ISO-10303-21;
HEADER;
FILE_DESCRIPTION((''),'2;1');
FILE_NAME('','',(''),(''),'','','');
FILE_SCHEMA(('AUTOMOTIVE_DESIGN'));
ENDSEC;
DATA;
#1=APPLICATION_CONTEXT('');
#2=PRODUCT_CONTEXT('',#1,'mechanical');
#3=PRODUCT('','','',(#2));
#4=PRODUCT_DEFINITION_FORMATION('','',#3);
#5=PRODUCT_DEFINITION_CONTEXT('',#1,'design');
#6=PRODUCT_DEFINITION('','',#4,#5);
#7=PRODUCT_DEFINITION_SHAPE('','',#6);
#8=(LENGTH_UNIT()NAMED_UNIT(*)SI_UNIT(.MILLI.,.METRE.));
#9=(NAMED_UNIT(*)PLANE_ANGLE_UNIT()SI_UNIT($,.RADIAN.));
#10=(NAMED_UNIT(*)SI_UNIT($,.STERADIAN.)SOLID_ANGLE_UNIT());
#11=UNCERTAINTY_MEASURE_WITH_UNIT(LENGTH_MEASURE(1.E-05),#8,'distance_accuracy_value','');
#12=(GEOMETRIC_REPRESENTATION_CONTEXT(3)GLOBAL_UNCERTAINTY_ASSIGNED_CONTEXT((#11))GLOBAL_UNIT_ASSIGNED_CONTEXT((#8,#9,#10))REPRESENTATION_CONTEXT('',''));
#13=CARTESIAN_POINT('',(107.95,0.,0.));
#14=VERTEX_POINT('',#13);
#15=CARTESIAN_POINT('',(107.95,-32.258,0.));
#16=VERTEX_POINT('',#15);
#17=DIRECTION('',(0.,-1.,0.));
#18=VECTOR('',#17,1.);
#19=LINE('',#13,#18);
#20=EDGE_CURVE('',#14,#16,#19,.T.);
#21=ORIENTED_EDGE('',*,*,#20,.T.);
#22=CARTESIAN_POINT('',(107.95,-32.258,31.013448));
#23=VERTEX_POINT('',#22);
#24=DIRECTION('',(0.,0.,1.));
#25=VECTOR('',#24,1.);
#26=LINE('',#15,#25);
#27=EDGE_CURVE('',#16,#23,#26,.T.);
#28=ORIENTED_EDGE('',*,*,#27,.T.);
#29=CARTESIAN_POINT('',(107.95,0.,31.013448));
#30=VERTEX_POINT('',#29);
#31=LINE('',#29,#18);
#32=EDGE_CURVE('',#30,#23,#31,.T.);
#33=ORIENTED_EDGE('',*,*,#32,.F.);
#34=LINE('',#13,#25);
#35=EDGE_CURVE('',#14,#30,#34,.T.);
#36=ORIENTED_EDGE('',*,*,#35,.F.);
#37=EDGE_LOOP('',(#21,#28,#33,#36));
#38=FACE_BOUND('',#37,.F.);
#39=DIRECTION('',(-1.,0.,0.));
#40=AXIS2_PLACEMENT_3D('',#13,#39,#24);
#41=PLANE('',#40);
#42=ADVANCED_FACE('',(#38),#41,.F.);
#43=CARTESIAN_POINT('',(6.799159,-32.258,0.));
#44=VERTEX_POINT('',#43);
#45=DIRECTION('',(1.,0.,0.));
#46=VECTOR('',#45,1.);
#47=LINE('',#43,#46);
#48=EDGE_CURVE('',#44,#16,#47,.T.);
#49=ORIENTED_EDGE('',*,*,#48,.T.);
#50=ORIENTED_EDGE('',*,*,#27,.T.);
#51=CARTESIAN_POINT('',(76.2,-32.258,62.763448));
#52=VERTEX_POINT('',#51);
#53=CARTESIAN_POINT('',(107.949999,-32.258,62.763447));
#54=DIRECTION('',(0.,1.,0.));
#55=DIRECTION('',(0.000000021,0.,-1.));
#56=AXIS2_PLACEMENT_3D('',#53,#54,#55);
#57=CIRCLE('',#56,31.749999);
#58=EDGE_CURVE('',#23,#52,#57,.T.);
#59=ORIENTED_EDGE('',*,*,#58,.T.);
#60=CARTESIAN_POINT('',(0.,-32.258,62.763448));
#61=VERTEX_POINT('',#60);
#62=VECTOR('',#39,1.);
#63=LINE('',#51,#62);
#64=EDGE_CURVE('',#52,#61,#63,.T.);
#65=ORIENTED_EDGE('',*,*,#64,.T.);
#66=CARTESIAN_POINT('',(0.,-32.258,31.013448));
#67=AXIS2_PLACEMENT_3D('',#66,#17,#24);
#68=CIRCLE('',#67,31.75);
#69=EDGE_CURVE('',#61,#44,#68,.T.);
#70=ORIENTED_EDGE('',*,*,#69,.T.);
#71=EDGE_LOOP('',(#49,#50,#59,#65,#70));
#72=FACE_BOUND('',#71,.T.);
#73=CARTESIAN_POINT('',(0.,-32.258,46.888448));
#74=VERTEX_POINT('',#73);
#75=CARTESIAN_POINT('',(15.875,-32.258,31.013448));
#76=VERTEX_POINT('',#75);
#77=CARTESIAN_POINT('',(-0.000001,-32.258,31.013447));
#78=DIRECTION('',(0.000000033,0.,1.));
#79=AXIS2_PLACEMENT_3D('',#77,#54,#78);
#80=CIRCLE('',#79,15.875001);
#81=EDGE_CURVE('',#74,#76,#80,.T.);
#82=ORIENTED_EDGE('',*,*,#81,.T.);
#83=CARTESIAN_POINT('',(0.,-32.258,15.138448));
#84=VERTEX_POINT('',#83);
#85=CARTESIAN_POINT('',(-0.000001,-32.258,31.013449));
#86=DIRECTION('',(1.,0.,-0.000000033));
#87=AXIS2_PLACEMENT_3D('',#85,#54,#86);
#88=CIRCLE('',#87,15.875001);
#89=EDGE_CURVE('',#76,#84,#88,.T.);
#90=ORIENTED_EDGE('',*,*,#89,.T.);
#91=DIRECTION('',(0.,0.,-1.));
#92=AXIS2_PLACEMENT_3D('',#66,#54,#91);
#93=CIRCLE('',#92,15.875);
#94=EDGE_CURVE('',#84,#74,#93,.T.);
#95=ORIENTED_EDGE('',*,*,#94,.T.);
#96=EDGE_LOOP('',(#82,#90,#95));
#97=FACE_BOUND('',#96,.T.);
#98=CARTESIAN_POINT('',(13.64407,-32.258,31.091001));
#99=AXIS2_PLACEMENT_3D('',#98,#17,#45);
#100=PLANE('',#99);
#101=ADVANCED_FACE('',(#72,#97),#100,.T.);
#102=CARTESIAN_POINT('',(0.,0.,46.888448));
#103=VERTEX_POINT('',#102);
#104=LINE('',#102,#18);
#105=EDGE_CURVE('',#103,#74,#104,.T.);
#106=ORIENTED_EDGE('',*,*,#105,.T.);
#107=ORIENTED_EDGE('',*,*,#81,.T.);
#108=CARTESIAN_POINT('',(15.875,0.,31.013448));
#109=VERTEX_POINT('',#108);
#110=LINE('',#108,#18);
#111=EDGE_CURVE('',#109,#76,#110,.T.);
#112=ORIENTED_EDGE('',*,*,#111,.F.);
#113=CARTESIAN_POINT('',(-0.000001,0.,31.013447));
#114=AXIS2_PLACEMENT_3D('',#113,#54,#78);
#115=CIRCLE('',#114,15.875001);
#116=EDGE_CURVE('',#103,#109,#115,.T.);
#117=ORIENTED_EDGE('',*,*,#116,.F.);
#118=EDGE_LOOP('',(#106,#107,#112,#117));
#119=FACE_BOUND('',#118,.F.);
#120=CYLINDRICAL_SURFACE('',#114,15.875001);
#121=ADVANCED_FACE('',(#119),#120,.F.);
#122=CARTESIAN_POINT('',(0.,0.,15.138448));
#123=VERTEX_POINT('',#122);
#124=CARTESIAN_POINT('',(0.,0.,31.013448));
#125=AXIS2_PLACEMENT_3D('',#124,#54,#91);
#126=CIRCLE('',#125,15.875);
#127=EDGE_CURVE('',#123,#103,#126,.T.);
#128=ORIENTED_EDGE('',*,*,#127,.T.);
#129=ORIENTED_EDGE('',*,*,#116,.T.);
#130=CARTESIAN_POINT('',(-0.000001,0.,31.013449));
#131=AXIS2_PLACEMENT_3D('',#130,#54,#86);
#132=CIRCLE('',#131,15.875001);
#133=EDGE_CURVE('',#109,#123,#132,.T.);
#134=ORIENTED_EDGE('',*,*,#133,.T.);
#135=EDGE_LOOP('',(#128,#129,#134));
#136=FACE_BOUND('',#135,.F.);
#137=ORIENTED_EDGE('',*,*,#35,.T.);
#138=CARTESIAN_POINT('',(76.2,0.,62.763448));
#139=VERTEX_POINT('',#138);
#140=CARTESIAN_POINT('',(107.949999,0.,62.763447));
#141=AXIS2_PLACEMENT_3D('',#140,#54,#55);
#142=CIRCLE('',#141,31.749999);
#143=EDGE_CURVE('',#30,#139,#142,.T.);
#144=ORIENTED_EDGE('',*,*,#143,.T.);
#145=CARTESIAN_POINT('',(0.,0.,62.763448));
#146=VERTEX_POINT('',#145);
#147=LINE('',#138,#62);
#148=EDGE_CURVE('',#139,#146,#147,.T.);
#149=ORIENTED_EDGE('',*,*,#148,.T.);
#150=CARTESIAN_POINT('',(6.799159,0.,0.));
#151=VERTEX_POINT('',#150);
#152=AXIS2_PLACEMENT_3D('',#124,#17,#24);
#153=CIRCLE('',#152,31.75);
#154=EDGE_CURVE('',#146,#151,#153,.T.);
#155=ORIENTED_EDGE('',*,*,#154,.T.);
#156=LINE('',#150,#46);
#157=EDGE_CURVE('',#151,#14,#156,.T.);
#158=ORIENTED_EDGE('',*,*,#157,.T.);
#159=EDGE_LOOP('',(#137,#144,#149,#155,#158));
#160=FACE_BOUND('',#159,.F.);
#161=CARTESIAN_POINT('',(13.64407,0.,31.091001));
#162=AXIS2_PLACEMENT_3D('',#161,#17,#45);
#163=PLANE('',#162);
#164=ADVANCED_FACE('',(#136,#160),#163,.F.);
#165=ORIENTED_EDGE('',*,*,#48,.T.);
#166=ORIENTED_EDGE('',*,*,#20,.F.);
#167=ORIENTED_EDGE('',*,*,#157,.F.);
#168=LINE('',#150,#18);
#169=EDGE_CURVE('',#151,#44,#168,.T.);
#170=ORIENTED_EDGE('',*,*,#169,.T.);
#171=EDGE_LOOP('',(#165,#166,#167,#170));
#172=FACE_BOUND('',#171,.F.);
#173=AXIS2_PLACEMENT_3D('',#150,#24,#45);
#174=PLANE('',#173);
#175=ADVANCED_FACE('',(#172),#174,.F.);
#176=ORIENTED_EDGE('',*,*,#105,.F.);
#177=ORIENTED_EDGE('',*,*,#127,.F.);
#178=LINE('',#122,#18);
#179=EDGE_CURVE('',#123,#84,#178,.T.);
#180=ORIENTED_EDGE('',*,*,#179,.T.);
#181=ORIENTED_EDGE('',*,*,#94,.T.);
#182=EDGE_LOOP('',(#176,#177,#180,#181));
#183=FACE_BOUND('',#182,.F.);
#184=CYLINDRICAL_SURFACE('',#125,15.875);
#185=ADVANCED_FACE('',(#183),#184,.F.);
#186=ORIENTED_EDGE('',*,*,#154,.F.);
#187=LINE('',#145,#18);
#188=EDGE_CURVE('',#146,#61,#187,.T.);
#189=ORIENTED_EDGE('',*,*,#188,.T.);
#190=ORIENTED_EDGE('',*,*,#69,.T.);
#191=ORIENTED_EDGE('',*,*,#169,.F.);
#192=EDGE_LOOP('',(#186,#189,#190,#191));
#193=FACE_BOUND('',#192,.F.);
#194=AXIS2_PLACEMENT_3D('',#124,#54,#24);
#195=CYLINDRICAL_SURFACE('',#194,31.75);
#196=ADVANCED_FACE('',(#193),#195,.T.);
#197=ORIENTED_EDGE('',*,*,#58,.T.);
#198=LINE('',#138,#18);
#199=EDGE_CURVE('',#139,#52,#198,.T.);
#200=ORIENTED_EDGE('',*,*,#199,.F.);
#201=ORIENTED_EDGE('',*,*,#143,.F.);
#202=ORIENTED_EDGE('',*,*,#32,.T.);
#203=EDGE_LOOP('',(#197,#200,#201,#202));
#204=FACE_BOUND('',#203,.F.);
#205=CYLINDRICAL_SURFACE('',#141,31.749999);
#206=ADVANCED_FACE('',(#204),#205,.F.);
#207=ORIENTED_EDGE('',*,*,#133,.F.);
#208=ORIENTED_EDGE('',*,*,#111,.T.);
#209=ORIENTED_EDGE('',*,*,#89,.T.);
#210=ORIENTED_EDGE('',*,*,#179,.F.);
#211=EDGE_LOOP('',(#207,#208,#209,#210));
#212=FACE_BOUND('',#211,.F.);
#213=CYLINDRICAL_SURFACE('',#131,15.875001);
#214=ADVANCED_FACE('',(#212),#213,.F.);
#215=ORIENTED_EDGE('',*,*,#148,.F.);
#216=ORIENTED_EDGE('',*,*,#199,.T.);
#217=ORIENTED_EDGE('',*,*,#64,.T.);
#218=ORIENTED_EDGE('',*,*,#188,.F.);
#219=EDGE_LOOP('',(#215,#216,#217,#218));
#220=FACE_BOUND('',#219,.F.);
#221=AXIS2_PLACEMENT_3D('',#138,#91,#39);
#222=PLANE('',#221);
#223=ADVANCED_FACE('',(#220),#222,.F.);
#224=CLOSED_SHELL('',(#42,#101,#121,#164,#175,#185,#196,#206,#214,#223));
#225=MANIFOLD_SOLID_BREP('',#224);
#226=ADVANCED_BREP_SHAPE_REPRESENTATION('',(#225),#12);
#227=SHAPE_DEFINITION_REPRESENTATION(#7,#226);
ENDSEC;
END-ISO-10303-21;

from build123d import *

# Parameters (mm, degrees)
F1_DEPTH = 32.258


with BuildPart() as f1:
    # F0 (on Front) → F1 (new body)
    with BuildSketch(Plane.XZ):
        with BuildLine():
            ThreePointArc((0, 46.888448), (11.22532, 42.238768), (15.875, 31.013448))
            ThreePointArc((15.875, 31.013448), (11.22532, 19.788128), (0, 15.138448))
            Line((0, 15.138448), (0, 0))
            Line((0, 0), (6.799159, 0))
            ThreePointArc((6.799159, 0), (24.737985, 11.111322), (31.75, 31.013448))
            ThreePointArc((31.75, 31.013448), (22.45064, 53.464088), (0, 62.763448))
            Line((0, 62.763448), (0, 46.888448))
        make_face()
        with BuildLine():
            ThreePointArc((0, 15.138448), (-15.875, 31.013448), (0, 46.888448))
            Line((0, 46.888448), (0, 62.763448))
            ThreePointArc((0, 62.763448), (-31.565325, 27.593979), (6.799159, 0))
            Line((6.799159, 0), (0, 0))
            Line((0, 0), (0, 15.138448))
        make_face()
        with BuildLine():
            Line((76.2, 62.763448), (0, 62.763448))
            ThreePointArc((0, 62.763448), (22.45064, 53.464088), (31.75, 31.013448))
            ThreePointArc((31.75, 31.013448), (24.737985, 11.111322), (6.799159, 0))
            Line((6.799159, 0), (107.95, 0))
            Line((107.95, 0), (107.95, 31.013448))
            ThreePointArc((107.95, 31.013448), (85.49936, 40.312807), (76.2, 62.763448))
        make_face()
    extrude(amount=F1_DEPTH)


solid = f1.part
